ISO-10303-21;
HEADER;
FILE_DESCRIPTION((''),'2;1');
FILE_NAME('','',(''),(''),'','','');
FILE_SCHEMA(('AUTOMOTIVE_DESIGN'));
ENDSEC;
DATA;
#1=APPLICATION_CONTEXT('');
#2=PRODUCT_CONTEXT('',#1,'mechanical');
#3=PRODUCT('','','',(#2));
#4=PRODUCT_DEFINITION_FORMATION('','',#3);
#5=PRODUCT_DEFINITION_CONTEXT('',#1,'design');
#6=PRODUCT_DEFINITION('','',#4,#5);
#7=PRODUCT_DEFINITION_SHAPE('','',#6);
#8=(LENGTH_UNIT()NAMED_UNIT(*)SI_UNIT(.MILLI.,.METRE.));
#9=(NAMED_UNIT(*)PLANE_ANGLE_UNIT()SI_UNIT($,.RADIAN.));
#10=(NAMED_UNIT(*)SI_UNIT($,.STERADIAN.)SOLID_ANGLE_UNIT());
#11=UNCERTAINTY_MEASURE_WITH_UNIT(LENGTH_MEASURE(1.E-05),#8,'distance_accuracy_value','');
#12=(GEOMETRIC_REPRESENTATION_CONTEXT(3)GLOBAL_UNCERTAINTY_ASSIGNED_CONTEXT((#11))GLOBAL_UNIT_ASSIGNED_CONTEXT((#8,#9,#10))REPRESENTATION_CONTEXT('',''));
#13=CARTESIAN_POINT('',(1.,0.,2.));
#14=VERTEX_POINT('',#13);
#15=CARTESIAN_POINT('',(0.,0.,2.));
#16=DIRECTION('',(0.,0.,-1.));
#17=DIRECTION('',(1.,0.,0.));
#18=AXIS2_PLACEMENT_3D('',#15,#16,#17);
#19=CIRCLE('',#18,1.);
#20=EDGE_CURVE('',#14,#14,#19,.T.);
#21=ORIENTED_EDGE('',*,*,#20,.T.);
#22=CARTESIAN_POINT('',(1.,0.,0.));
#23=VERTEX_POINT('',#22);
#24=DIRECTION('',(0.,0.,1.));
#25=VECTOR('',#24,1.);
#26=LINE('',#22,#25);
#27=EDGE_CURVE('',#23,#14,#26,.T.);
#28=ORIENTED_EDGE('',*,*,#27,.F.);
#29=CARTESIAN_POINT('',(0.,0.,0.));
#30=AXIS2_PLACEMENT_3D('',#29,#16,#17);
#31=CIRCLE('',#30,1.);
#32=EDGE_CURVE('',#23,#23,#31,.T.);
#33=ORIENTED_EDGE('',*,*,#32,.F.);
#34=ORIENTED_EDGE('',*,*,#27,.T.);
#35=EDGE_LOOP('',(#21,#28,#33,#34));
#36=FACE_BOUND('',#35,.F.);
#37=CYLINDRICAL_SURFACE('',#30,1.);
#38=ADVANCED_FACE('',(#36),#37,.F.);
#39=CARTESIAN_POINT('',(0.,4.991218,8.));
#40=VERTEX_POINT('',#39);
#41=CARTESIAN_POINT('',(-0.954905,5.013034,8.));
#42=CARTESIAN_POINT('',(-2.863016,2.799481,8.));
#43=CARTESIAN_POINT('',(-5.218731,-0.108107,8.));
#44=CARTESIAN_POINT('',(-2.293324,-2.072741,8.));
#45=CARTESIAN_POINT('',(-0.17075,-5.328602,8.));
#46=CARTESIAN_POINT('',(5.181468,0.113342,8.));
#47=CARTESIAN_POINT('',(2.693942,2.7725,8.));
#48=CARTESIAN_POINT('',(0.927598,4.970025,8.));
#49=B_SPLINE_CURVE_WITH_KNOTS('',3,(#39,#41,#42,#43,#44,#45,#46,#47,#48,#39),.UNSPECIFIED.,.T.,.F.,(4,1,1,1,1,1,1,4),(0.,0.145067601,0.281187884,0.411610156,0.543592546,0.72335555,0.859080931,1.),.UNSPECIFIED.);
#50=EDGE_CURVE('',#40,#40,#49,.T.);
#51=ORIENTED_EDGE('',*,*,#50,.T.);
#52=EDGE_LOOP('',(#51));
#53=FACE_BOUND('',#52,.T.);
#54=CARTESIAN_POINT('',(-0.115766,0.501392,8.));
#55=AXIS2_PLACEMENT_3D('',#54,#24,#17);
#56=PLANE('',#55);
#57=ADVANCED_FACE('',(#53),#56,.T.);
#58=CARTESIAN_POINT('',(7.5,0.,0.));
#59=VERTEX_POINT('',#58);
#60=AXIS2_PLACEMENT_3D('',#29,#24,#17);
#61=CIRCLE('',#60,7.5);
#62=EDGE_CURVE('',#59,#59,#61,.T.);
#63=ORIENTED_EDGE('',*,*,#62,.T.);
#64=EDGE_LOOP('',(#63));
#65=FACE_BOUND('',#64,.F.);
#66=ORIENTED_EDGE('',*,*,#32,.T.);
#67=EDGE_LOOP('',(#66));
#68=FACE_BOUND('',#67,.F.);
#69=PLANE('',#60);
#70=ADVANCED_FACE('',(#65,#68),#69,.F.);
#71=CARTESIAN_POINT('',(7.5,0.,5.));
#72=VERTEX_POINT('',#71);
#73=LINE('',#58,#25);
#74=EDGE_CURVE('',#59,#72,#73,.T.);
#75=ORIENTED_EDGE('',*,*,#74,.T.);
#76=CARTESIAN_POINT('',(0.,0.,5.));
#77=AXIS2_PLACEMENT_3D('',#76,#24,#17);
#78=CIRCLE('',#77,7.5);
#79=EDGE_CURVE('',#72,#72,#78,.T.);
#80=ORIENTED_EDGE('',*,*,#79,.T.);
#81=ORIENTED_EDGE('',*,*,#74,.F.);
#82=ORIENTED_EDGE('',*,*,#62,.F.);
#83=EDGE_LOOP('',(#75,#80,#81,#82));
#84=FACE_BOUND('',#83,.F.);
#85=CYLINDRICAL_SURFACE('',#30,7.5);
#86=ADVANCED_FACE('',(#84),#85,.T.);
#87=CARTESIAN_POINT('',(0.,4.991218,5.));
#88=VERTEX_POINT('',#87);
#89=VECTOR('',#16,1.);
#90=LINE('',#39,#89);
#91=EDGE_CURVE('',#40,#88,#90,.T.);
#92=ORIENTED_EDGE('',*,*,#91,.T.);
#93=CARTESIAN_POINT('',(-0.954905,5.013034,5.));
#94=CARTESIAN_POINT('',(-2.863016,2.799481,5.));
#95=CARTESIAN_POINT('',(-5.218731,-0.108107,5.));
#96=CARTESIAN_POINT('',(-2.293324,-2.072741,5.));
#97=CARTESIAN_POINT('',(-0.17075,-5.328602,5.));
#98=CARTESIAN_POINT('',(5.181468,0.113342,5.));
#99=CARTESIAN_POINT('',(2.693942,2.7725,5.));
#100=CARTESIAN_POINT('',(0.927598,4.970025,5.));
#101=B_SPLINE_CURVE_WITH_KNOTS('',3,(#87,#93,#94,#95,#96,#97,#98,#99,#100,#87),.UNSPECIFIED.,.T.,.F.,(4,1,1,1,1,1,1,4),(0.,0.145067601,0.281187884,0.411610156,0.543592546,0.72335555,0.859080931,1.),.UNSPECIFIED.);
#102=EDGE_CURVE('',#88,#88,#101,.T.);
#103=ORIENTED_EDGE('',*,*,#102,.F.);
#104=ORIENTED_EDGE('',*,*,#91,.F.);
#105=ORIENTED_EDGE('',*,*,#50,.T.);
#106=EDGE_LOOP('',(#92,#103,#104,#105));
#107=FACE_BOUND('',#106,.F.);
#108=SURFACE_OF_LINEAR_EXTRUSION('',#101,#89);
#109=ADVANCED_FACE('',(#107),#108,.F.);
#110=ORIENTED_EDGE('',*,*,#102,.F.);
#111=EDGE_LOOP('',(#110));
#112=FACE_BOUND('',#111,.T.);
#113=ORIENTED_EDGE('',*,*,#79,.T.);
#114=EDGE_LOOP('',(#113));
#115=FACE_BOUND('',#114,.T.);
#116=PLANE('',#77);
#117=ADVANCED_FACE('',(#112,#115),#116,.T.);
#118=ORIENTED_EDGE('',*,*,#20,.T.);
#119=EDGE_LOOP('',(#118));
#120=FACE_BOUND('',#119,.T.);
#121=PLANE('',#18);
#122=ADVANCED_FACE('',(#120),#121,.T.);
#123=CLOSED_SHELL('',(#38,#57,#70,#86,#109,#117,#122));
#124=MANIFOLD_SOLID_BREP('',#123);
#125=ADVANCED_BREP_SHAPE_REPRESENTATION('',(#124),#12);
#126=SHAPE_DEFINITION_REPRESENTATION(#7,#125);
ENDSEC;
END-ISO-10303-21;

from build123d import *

# Parameters (mm, degrees)
F0_R     = 7.5
F1_DEPTH = 5
F3_DEPTH = 3
F4_R     = 1
F5_DEPTH = 2
F6_DEPTH = 2


with BuildPart() as f1:
    # F0 (on Top) → F1 (new body)
    with BuildSketch(Plane.XY):
        Circle(F0_R)
    extrude(amount=F1_DEPTH)

    # F2 (on face) → F3 (join)
    with BuildSketch(Plane.XY.offset(5)):
        with BuildLine():
            add(Edge.make_bspline(
                [(0, 4.9912175164), (-0.9549051723, 5.0130336664), (-2.8630161183, 2.7994808775), (-5.2187312486, -0.1081066721), (-2.2933239008, -2.0727410294), (-0.1707501501, -5.3286024085), (5.1814683056, 0.1133416257), (2.6939424426, 2.7725004839), (0.927597529, 4.9700252478), (0, 4.9912175164)],
                knots=[0, 0, 0, 0, 0.1450676006, 0.2811878838, 0.4116101556, 0.543592546, 0.7233555498, 0.859080931, 1, 1, 1, 1], degree=3))
        make_face()
    extrude(amount=F3_DEPTH)

    # F4 (on face) → F5 (cut)
    with BuildSketch(Plane(origin=(0, 0, 0), x_dir=(1, 0, 0), z_dir=(0, 0, -1))):
        Circle(F4_R)
    extrude(amount=-F5_DEPTH, mode=Mode.SUBTRACT)

    # F2 (on face) → F6 (join)
    with BuildSketch(Plane.XY.offset(5)):
        with BuildLine():
            add(Edge.make_bspline(
                [(0, 4.9912175164), (-0.9549051723, 5.0130336664), (-2.8630161183, 2.7994808775), (-5.2187312486, -0.1081066721), (-2.2933239008, -2.0727410294), (-0.1707501501, -5.3286024085), (5.1814683056, 0.1133416257), (2.6939424426, 2.7725004839), (0.927597529, 4.9700252478), (0, 4.9912175164)],
                knots=[0, 0, 0, 0, 0.1450676006, 0.2811878838, 0.4116101556, 0.543592546, 0.7233555498, 0.859080931, 1, 1, 1, 1], degree=3))
        make_face()
    extrude(amount=F6_DEPTH)


solid = f1.part
